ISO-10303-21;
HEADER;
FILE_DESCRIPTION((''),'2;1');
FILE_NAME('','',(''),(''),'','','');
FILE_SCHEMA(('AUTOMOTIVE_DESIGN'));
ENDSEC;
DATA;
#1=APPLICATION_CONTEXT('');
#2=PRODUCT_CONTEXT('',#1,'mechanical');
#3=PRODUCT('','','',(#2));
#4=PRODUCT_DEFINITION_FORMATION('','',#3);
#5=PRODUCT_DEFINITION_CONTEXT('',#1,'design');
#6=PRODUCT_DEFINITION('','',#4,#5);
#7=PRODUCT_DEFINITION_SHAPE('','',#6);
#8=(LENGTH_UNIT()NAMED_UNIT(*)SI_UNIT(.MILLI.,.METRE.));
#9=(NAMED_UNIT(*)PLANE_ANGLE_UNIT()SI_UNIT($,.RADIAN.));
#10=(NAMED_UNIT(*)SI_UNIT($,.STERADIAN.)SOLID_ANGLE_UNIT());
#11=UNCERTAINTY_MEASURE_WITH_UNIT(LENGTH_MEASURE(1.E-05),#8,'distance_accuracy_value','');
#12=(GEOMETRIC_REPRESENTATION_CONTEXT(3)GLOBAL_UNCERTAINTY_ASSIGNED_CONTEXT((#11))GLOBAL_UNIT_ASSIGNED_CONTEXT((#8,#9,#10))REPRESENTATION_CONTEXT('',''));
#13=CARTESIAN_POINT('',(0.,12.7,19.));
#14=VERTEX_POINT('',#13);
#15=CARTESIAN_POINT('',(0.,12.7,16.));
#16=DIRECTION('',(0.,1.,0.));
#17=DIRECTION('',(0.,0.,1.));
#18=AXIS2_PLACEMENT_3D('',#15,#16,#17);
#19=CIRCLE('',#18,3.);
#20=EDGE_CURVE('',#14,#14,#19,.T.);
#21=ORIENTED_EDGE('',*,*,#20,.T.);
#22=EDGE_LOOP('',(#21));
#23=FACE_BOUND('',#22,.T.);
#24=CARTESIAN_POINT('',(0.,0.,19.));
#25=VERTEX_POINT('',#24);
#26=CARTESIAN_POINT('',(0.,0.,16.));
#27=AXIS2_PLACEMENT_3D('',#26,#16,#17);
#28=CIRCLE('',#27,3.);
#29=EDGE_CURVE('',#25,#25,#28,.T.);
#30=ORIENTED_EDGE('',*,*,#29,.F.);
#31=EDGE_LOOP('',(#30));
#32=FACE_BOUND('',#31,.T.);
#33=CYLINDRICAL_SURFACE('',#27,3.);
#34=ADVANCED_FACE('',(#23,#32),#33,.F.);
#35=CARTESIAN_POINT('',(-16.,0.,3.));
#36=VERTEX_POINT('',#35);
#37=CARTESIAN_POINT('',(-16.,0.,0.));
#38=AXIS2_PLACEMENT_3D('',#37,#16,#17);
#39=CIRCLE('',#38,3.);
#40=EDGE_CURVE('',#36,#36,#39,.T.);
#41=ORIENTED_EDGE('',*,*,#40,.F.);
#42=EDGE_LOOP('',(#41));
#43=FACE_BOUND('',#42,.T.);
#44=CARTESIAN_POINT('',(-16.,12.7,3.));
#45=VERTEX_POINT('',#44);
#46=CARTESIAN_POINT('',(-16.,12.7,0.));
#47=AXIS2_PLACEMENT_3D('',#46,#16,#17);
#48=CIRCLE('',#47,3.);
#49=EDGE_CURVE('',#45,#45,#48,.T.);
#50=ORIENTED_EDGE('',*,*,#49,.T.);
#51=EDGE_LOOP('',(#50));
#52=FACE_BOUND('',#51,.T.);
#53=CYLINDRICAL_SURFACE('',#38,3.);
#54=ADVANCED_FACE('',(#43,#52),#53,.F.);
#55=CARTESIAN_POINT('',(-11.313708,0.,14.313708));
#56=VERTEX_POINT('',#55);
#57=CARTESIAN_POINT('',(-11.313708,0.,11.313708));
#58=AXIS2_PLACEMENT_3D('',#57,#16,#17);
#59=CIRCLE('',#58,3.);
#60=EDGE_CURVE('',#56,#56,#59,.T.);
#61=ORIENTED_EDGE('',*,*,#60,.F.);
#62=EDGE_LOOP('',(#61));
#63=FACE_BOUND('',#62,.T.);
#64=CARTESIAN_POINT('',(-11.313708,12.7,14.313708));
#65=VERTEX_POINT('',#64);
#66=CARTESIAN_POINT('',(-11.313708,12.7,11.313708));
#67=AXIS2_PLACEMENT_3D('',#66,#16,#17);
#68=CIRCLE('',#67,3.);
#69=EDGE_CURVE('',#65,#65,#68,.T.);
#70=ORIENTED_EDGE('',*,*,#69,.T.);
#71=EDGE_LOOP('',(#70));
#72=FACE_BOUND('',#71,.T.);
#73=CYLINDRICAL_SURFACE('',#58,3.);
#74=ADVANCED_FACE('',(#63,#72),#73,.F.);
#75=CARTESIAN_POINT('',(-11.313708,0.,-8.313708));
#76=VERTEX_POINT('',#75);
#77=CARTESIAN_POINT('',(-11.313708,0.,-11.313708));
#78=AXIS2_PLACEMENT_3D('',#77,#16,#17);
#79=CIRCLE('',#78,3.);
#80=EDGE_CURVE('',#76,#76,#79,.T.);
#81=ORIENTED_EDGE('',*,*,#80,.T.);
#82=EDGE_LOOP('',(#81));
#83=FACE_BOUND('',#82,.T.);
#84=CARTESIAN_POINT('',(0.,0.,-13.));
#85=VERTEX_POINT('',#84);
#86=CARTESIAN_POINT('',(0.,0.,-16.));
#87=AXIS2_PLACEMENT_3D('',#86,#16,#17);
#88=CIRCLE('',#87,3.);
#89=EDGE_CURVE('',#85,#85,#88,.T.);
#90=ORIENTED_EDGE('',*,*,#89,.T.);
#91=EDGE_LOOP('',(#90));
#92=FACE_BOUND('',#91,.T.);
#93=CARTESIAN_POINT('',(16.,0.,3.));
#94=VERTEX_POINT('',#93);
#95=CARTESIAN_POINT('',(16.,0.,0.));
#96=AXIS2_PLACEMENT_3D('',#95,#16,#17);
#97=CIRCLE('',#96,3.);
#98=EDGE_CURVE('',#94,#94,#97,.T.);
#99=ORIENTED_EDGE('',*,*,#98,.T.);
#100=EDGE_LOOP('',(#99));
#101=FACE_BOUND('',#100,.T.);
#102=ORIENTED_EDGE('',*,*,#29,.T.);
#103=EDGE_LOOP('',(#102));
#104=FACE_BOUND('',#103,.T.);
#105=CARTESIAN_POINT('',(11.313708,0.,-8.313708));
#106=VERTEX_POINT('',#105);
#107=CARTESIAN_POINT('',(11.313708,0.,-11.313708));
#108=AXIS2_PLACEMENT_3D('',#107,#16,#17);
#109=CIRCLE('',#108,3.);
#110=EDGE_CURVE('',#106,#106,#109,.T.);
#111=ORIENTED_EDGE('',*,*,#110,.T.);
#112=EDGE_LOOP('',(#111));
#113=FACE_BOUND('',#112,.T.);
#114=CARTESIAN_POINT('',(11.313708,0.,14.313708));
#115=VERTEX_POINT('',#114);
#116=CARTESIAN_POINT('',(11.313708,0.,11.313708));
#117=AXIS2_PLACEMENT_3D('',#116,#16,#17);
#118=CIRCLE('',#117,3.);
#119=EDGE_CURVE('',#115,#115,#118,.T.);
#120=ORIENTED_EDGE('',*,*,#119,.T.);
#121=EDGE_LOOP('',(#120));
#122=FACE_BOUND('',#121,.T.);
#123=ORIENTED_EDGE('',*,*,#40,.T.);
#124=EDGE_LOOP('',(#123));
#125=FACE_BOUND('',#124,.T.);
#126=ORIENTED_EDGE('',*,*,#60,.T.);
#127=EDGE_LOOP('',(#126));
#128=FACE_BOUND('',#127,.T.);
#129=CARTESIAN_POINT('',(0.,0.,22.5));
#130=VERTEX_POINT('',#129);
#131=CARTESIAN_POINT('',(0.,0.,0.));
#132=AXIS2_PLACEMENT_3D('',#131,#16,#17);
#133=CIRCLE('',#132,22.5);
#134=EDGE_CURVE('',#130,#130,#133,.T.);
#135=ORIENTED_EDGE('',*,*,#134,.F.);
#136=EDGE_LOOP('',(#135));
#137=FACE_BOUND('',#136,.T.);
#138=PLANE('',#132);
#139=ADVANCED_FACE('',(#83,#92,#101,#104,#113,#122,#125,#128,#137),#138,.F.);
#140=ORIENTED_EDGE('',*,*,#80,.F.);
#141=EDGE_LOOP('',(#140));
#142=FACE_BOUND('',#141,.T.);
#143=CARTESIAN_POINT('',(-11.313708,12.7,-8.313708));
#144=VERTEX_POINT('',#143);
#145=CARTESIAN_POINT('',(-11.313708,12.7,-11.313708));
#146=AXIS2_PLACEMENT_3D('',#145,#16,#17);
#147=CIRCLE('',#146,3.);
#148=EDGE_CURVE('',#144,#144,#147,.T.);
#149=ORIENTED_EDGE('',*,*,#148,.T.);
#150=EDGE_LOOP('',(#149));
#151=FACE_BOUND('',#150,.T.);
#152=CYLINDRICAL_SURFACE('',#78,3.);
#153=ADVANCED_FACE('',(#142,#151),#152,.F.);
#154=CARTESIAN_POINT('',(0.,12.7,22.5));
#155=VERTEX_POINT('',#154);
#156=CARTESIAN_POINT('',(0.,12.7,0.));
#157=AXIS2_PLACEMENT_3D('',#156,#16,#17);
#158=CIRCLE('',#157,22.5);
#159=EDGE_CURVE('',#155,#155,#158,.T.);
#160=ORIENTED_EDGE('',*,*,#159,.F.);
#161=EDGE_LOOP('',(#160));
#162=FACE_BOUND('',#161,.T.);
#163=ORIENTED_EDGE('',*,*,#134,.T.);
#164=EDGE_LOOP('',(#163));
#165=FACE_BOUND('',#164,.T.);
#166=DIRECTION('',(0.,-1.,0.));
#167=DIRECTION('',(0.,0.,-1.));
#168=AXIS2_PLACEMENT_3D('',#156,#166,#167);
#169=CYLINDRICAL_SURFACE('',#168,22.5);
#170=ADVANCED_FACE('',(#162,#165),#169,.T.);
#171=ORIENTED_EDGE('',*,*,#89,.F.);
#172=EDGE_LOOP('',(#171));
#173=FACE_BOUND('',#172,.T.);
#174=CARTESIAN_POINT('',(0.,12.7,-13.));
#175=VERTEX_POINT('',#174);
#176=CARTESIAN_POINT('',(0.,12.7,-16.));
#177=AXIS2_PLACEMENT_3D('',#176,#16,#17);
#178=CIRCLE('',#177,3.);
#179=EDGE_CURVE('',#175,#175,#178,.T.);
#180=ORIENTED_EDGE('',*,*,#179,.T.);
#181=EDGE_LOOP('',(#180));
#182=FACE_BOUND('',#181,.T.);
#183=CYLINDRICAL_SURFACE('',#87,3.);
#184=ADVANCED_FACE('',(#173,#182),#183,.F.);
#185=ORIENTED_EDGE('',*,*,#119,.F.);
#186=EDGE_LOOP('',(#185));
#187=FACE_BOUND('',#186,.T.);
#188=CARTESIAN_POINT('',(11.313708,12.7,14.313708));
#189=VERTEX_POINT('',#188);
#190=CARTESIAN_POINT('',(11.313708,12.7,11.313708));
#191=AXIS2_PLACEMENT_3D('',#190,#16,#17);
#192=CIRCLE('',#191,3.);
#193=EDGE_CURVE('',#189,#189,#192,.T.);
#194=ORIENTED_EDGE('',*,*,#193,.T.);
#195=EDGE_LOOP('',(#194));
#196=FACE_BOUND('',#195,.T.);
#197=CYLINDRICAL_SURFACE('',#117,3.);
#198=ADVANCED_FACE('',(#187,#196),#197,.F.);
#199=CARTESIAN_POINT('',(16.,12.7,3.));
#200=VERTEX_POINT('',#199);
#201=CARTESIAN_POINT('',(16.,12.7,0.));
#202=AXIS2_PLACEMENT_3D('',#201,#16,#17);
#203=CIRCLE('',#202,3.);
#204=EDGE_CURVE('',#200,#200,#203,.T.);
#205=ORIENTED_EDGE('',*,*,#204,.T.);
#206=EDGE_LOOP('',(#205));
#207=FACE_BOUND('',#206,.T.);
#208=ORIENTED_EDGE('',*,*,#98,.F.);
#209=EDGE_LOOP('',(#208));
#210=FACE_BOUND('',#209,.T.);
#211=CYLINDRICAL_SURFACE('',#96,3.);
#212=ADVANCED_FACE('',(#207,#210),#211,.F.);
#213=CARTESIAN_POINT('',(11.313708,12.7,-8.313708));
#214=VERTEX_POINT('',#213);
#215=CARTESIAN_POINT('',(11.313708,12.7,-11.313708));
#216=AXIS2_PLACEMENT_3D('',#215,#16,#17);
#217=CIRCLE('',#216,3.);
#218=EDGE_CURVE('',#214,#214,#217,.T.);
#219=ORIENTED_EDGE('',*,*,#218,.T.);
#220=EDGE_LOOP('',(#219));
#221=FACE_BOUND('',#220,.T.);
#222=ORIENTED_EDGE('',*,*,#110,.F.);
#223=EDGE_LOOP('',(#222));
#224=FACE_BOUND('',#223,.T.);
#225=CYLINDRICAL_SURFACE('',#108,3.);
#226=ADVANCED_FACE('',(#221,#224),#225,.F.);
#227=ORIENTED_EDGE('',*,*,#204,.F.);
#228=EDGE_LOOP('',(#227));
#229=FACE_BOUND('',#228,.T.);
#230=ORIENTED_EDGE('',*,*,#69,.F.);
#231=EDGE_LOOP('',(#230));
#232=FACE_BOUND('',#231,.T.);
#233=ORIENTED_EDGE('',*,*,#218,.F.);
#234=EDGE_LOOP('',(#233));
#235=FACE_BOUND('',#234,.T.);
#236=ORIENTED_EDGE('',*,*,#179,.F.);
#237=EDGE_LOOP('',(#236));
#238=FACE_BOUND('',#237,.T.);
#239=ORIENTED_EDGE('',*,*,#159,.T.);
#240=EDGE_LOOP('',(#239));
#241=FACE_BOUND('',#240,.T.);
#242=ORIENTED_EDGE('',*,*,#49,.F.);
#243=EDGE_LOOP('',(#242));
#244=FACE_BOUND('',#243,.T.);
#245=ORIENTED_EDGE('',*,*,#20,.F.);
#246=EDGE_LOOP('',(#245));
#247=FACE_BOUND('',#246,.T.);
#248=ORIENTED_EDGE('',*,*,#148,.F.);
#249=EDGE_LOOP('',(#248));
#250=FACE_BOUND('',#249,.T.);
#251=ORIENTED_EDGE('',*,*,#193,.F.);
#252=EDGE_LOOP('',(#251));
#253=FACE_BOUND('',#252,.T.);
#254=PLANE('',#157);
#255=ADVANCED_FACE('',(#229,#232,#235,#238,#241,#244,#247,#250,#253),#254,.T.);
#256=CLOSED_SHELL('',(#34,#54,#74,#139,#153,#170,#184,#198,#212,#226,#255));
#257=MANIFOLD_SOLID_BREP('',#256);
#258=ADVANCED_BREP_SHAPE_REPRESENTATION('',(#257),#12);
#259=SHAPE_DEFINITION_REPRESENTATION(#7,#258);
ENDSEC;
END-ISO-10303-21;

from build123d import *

# Parameters (mm, degrees)
SKETCH1_R           = 22.5
BOSS_EXTRUDE1_DEPTH = 12.7
SKETCH2_R           = 3
CUT_EXTRUDE1_DEPTH  = 35.260618792


with BuildPart() as part:
    # Sketch1 → Boss-Extrude1 (new body)
    with BuildSketch(Plane(origin=(0, 0, 0), x_dir=(1, 0, 0), z_dir=(0, 1, 0))):
        with Locations(Location((0, 0, 0), (0, 0, 270))):
            Circle(SKETCH1_R)
    extrude(amount=BOSS_EXTRUDE1_DEPTH)

    # Sketch2 → Cut-Extrude1 (cut, through all)
    with BuildSketch(Plane(origin=(0, 12.7, 0), x_dir=(1, 0, 0), z_dir=(0, 1, 0))):
        with Locations(Location((-16, 0, 0), (0, 0, 270))):
            Circle(SKETCH2_R)
        with Locations(Location((-11.313708499, 11.313708499, 0), (0, 0, 270))):
            Circle(SKETCH2_R)
        with Locations(Location((0, 16, 0), (0, 0, 270))):
            Circle(SKETCH2_R)
        with Locations(Location((11.313708499, 11.313708499, 0), (0, 0, 270))):
            Circle(SKETCH2_R)
        with Locations(Location((16, 0, 0), (0, 0, 270))):
            Circle(SKETCH2_R)
        with Locations(Location((11.313708499, -11.313708499, 0), (0, 0, 270))):
            Circle(SKETCH2_R)
        with Locations(Location((0, -16, 0), (0, 0, 270))):
            Circle(SKETCH2_R)
        with Locations(Location((-11.313708499, -11.313708499, 0), (0, 0, 270))):
            Circle(SKETCH2_R)
    extrude(amount=-CUT_EXTRUDE1_DEPTH, mode=Mode.SUBTRACT)


solid = part.part
